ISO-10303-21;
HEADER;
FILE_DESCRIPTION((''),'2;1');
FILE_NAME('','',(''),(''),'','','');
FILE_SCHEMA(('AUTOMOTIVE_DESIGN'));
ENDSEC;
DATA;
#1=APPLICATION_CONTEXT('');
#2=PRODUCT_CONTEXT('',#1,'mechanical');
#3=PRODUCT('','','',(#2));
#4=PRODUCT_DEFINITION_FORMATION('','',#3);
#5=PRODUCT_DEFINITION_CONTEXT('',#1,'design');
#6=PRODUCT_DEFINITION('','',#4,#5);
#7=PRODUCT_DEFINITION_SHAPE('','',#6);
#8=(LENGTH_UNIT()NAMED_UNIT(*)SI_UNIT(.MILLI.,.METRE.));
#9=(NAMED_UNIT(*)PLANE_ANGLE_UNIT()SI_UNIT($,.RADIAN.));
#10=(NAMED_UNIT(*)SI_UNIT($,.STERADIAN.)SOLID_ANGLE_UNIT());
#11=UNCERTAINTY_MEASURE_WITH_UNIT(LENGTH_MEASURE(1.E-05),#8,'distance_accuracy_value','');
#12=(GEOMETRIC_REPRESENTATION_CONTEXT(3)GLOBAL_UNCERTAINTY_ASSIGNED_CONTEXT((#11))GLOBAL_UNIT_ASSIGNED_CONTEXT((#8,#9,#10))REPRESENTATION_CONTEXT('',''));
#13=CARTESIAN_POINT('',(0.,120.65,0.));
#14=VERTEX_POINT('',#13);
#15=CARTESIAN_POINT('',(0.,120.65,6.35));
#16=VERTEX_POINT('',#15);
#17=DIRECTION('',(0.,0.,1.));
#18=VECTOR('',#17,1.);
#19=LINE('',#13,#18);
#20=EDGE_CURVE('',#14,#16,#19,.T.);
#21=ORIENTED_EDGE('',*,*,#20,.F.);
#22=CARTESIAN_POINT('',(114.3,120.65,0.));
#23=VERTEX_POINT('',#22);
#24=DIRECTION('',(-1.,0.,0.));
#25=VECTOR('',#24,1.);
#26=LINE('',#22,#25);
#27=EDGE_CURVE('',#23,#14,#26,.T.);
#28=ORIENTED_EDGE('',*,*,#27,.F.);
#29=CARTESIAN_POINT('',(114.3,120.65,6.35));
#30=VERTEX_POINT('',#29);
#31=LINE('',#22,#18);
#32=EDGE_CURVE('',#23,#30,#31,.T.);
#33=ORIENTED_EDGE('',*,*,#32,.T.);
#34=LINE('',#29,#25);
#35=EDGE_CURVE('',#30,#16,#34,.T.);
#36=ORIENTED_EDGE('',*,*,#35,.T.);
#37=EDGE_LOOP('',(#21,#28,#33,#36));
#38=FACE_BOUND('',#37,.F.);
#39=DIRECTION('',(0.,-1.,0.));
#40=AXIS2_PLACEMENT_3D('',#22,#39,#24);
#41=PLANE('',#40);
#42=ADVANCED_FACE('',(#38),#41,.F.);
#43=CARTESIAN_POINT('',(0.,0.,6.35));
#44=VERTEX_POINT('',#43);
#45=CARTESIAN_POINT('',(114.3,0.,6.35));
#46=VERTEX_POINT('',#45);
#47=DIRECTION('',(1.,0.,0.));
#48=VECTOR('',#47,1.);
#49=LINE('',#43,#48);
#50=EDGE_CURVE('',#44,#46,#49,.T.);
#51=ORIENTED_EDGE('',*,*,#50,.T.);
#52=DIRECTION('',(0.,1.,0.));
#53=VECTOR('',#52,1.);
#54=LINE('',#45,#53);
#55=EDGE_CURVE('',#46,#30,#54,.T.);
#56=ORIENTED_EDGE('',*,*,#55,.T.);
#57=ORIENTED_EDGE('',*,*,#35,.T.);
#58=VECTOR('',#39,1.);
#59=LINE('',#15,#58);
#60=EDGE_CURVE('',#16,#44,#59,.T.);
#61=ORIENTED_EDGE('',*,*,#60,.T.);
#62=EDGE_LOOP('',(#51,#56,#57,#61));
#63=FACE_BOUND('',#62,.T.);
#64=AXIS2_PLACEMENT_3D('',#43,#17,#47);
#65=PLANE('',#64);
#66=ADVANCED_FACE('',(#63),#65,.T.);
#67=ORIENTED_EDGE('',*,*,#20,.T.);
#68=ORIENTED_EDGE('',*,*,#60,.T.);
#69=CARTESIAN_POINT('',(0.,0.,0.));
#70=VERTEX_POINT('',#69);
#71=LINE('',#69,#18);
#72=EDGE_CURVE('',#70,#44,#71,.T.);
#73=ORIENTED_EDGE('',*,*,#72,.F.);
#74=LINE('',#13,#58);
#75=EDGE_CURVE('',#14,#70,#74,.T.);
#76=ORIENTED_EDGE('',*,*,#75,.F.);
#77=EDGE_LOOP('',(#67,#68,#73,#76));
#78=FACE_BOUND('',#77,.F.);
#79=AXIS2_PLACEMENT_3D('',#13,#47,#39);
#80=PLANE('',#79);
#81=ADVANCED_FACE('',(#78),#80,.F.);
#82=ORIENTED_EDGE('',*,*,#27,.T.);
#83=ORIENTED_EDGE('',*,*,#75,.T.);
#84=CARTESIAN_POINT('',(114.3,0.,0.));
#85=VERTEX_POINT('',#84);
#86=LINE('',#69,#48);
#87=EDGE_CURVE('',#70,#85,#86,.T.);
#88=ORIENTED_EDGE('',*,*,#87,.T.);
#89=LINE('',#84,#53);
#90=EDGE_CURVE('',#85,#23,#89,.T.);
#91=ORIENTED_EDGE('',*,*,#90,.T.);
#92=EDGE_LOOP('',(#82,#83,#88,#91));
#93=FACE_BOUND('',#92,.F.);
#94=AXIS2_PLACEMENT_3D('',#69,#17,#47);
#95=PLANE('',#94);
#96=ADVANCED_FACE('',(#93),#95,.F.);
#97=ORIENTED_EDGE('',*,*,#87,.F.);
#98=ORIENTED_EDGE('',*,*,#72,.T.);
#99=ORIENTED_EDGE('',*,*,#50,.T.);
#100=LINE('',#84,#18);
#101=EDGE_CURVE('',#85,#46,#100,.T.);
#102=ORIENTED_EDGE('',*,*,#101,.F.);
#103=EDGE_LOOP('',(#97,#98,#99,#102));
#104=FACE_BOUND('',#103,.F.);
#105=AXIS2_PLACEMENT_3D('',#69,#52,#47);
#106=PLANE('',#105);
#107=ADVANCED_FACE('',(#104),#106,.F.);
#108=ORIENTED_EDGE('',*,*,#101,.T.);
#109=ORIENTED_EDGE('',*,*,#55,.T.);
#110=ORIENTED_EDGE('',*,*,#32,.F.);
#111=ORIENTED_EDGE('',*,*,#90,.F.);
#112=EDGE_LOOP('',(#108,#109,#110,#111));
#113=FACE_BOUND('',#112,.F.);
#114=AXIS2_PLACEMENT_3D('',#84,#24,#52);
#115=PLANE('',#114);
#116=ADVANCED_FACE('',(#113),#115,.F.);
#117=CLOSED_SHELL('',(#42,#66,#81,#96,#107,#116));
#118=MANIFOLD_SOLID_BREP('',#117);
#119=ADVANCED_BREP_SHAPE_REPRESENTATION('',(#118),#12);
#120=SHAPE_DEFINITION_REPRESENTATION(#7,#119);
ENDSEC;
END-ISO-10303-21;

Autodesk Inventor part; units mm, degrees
ref_plane "YZ Plane" through (0, 0, 0) normal (1, 0, 0) x (0, 1, 0)
ref_plane "XZ Plane" through (0, 0, 0) normal (0, 1, 0) x (-1, 0, 0)
ref_plane "XY Plane" through (0, 0, 0) normal (0, 0, 1) x (1, 0, 0)
sketch "Sketch1" plane through (0, 0, 0) normal (0, 0, 1) x (1, 0, 0)
  line L0 (0, 0) -> (114.3, 0)
  line L1 (114.3, 0) -> (114.3, 120.65)
  line L2 (114.3, 120.65) -> (0, 120.65)
  line L3 (0, 120.65) -> (0, 0)
  dimension "d0" = 114.3
  dimension "d1" = 120.65
extrude "Extrusion1" add sketch "Sketch1" along normal blind 6.35
properties part number "wall 4" material "Aluminum 6061"
